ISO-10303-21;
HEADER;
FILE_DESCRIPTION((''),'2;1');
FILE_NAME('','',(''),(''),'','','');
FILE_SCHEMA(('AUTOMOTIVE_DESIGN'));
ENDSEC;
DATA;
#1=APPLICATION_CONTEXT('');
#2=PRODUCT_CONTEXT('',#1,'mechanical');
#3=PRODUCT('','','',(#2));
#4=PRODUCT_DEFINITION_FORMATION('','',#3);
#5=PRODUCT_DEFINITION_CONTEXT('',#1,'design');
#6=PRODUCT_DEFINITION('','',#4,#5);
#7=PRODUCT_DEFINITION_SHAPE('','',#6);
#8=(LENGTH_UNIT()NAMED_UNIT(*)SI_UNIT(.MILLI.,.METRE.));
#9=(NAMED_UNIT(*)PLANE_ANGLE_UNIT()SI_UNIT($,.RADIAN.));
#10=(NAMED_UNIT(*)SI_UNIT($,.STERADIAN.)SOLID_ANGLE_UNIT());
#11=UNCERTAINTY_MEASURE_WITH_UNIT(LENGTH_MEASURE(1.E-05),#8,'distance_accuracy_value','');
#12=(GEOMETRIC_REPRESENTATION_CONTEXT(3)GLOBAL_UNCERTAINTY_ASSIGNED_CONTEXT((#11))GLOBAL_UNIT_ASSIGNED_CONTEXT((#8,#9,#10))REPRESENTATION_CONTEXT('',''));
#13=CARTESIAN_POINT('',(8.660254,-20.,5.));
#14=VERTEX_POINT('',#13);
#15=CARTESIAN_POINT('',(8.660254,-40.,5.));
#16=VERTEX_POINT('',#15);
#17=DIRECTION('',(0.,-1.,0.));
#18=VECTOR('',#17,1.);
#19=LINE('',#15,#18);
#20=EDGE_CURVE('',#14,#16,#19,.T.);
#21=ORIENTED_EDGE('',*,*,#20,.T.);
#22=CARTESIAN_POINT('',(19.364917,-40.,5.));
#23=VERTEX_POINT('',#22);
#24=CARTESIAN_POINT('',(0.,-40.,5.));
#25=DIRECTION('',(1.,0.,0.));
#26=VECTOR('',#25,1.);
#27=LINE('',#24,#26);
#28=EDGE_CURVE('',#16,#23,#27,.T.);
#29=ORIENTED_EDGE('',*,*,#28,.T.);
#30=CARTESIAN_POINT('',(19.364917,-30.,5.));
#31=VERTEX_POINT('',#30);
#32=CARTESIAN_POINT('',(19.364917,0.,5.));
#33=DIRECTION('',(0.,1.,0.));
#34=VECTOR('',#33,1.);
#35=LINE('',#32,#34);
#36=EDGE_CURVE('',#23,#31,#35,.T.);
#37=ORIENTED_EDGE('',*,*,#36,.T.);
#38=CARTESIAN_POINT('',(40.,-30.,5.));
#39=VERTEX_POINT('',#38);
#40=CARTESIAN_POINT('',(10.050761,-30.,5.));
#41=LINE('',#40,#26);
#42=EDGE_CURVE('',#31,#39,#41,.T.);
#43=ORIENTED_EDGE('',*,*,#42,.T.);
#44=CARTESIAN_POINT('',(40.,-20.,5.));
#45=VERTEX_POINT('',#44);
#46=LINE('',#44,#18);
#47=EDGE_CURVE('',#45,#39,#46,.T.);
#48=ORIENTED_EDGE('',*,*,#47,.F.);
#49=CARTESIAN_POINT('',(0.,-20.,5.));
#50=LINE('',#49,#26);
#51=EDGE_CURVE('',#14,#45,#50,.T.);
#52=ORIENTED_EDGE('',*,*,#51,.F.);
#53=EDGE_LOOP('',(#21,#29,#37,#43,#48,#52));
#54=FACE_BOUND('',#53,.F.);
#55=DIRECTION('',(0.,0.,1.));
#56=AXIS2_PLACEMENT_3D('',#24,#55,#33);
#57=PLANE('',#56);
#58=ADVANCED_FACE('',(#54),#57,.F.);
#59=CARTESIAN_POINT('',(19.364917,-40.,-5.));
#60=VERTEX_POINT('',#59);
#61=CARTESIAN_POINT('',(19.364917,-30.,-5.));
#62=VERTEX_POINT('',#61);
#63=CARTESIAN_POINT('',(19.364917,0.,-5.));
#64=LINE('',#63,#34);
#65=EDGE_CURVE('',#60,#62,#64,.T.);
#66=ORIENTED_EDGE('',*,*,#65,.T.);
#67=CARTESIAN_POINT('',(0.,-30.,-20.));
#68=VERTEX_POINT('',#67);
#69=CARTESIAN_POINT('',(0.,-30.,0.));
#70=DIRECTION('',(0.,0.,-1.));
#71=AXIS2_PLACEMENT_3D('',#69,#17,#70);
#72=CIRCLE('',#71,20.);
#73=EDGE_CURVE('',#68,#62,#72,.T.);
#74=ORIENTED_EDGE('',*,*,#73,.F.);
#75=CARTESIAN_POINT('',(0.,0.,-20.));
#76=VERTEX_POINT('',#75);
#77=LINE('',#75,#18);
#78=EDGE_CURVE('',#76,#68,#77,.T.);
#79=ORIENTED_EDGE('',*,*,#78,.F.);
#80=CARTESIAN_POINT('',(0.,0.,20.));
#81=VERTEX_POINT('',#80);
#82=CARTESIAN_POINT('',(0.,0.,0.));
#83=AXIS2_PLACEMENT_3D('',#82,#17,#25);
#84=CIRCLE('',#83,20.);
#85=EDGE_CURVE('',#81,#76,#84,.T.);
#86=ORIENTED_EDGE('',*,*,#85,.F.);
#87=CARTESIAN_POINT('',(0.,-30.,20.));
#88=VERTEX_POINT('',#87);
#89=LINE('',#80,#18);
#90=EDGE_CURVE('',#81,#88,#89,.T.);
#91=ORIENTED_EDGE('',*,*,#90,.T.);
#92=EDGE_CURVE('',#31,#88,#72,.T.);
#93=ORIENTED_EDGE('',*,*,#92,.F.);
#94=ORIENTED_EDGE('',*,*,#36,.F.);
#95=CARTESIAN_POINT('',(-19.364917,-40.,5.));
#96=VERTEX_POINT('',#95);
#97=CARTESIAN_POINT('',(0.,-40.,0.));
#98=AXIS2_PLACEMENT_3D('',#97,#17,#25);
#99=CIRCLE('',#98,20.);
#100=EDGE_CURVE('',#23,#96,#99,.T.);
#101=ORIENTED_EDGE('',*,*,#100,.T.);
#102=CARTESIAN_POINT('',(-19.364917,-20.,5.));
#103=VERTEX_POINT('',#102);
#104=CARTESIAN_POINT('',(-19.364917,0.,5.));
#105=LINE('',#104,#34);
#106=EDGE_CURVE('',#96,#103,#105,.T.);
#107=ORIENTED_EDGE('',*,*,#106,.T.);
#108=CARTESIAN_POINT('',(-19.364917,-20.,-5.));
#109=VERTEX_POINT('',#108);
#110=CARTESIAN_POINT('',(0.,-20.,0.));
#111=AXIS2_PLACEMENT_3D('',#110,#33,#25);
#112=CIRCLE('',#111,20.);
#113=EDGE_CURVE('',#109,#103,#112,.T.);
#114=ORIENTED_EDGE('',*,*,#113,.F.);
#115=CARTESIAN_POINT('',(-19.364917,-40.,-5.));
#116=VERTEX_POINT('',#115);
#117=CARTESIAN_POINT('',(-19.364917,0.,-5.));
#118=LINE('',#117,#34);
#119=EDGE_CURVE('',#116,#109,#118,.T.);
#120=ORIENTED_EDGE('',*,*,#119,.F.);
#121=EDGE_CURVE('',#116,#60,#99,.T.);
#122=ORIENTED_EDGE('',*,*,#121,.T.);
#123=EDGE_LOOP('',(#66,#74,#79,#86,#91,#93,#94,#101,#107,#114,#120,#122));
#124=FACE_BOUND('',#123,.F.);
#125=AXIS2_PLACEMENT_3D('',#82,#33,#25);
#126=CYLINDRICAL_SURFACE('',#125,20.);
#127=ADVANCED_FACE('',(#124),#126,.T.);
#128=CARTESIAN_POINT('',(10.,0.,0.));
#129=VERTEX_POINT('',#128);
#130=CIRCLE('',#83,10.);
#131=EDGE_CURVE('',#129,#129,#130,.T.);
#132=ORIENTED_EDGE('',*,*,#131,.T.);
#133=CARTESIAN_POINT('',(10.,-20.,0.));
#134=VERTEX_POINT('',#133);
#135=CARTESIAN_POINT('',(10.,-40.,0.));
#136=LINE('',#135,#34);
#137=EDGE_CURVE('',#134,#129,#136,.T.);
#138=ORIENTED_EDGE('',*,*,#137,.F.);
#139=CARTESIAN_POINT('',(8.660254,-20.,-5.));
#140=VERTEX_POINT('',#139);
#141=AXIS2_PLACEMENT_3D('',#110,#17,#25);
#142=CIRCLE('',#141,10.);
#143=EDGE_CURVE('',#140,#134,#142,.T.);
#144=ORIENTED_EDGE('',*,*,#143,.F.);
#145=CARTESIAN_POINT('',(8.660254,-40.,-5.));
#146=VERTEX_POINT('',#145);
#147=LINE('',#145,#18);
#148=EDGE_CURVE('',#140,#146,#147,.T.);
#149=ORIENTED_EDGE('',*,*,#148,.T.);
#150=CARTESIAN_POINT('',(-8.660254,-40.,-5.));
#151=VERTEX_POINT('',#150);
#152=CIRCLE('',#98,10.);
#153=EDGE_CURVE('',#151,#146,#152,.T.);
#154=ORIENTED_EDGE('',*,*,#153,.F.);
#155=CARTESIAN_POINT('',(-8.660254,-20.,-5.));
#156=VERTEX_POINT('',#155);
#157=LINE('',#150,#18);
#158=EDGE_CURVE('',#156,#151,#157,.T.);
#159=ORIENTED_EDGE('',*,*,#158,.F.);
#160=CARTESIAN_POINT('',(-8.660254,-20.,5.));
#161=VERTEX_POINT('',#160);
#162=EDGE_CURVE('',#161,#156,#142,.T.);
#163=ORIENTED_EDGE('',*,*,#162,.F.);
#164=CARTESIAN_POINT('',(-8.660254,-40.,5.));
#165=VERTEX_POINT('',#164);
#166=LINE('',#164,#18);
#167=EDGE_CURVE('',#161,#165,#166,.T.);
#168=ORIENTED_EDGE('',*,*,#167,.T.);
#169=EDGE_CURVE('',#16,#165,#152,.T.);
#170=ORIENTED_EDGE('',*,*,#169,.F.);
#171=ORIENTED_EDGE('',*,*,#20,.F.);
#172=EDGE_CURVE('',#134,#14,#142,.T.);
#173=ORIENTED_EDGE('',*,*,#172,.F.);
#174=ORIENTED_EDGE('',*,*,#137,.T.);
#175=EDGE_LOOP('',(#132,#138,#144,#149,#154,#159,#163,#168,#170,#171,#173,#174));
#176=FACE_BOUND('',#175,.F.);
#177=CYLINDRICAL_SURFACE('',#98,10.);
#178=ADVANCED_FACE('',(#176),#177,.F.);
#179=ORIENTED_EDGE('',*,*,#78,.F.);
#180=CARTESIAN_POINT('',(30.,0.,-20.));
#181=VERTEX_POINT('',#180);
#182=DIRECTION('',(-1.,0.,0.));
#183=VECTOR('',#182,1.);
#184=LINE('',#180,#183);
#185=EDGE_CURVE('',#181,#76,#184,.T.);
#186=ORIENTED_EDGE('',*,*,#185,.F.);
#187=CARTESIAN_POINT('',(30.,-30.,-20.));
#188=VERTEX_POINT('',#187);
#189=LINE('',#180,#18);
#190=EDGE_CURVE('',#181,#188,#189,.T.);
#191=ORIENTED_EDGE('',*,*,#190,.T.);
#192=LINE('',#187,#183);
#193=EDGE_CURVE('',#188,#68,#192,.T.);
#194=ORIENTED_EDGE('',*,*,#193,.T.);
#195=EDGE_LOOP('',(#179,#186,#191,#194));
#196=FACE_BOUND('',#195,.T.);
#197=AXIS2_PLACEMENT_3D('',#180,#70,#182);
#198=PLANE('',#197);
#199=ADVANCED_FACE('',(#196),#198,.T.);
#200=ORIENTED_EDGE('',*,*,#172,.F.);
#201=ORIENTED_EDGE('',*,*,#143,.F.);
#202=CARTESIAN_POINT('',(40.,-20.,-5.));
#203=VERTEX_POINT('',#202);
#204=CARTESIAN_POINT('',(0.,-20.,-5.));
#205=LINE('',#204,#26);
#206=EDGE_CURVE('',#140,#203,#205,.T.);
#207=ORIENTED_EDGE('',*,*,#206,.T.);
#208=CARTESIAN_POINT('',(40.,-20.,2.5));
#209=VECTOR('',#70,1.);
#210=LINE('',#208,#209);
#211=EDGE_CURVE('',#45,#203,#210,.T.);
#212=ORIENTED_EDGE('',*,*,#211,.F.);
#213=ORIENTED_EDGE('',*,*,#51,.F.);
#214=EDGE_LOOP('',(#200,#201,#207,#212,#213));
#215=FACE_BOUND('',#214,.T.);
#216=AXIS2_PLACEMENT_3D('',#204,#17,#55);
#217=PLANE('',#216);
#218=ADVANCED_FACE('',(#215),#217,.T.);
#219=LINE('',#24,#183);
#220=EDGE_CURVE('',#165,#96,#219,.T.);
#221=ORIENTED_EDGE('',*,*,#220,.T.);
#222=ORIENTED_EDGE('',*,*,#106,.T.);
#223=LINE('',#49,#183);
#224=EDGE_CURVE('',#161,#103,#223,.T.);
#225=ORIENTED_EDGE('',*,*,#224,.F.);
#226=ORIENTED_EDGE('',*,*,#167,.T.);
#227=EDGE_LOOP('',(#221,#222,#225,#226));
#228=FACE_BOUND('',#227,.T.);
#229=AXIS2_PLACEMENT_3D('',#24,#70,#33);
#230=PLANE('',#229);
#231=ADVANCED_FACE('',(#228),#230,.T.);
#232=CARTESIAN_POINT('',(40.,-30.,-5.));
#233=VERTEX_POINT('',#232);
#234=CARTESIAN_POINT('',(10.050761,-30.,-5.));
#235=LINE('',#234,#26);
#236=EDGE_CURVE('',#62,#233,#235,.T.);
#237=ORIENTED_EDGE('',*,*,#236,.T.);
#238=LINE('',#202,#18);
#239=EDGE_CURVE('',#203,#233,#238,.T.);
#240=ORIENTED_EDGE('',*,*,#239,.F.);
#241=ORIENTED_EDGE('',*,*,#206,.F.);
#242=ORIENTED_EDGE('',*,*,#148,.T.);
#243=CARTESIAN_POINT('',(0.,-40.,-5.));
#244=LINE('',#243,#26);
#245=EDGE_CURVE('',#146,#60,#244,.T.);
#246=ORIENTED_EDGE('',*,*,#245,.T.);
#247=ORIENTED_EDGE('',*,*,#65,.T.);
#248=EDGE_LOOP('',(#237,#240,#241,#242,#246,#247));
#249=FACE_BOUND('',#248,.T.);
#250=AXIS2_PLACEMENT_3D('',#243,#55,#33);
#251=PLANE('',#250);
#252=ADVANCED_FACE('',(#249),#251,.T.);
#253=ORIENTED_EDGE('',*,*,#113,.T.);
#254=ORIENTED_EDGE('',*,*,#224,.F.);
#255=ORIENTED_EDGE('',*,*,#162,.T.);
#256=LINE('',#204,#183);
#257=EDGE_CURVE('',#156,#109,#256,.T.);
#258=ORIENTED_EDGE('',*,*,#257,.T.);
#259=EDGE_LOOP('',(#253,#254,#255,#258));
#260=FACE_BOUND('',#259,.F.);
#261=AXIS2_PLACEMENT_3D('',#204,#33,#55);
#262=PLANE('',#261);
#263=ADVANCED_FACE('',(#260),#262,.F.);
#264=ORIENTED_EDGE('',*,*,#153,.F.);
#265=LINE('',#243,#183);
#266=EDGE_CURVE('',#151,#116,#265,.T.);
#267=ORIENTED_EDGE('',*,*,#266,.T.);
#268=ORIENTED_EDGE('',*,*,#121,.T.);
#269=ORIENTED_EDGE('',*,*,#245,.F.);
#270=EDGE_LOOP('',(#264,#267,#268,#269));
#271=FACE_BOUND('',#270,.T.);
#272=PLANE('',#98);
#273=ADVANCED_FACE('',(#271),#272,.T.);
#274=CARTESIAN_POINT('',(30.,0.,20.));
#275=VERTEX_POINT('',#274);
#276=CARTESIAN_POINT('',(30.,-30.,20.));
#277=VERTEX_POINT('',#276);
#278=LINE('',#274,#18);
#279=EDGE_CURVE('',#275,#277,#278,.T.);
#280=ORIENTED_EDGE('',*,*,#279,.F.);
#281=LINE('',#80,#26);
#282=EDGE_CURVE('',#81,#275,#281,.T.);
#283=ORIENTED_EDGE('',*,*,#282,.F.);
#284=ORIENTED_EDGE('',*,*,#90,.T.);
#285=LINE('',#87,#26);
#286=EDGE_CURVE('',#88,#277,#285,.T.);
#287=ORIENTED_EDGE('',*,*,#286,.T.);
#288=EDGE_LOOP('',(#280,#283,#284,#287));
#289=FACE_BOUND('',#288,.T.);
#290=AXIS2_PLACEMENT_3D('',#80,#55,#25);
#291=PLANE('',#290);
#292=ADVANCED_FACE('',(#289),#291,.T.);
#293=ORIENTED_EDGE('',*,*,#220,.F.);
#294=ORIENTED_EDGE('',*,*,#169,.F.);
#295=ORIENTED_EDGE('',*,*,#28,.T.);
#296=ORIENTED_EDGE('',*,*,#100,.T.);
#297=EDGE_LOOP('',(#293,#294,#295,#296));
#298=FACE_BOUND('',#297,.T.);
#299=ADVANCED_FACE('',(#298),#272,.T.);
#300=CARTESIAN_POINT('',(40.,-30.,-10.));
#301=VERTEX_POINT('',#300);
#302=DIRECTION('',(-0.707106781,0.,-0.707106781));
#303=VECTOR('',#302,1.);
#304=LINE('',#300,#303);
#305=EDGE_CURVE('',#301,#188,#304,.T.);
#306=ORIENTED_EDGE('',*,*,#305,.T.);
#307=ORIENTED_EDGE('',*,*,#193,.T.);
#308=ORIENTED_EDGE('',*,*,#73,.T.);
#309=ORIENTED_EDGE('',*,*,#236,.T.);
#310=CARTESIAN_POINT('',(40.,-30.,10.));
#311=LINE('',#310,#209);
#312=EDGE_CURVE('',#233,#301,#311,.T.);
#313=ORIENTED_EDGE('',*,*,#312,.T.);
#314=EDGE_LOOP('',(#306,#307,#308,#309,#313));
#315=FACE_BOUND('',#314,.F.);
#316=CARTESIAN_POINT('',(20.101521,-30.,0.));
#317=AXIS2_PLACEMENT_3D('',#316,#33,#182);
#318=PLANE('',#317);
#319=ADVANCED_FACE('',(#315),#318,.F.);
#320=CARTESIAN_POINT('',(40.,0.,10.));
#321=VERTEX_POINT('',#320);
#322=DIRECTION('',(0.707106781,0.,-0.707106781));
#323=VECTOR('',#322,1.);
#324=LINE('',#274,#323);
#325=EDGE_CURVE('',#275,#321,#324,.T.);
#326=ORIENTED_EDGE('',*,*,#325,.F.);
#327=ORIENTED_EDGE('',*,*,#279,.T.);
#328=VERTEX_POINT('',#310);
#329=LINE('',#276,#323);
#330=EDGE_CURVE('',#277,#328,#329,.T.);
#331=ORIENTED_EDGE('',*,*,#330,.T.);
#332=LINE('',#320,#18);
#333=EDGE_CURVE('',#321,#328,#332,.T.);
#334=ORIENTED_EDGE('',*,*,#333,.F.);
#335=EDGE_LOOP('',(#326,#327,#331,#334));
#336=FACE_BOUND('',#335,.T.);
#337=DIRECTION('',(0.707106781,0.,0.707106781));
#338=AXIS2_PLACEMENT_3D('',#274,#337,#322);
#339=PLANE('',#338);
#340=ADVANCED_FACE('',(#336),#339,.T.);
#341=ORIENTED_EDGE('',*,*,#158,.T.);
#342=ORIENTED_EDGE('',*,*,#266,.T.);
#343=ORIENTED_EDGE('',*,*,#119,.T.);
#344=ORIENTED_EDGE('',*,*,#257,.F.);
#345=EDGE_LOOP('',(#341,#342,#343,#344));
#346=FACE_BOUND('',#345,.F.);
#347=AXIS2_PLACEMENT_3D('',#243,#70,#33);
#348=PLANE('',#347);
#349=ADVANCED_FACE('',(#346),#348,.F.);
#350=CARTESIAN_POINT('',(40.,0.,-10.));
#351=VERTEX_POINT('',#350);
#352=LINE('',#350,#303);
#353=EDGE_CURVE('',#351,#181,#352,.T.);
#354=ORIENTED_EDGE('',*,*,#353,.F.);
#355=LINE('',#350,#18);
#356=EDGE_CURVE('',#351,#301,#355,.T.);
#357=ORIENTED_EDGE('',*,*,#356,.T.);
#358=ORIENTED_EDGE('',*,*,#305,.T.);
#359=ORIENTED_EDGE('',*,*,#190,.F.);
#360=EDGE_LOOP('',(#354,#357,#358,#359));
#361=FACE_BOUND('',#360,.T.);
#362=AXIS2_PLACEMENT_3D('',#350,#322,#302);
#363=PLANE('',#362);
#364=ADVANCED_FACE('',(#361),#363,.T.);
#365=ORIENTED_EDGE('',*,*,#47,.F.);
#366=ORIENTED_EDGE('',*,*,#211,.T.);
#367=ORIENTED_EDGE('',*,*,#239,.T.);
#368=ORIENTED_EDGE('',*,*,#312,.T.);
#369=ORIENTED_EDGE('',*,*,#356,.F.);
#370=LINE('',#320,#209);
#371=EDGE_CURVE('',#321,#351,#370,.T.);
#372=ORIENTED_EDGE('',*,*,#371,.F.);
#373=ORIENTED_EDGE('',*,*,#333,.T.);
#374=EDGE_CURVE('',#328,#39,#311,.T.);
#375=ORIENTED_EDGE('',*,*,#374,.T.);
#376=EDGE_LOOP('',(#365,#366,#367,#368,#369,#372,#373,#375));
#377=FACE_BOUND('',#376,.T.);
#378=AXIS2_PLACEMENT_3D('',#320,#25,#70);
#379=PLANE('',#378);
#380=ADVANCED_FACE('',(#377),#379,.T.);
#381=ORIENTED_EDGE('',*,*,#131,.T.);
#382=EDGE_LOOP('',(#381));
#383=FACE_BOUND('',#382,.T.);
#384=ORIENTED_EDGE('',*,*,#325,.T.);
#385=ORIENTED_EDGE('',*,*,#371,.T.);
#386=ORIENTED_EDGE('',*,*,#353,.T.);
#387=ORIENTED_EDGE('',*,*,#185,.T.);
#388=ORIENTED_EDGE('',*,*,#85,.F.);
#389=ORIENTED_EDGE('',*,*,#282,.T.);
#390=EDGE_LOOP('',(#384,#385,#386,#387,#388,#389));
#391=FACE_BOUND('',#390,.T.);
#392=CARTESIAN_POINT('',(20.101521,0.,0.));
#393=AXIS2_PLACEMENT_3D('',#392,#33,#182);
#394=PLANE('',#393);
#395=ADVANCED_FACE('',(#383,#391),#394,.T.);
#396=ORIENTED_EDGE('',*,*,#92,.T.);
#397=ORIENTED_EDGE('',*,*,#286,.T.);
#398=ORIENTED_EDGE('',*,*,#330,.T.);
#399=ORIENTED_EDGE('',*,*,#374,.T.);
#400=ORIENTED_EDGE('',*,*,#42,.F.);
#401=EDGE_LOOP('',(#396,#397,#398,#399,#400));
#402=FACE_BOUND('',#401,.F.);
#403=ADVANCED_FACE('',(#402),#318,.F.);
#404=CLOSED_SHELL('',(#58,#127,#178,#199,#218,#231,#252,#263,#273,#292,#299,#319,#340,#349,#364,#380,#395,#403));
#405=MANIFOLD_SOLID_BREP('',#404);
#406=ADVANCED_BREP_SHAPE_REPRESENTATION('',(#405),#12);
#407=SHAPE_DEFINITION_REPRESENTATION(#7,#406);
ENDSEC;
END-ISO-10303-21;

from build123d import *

# Parameters (mm, degrees)
F0_R          = 20
F1_DEPTH      = 40
F3_DEPTH      = 30
F4_R          = 10
F5_DEPTH      = 40.001
F6_W          = 20
F6_H          = 10
F7_DEPTH      = 20.001
F7_DEPTH_BACK = 40.001


with BuildPart() as f1:
    # F0 (on Front) → F1 (new body)
    with BuildSketch(Plane.XZ):
        Circle(F0_R)
    extrude(amount=F1_DEPTH)

    # F2 (on face) → F3 (join)
    with BuildSketch(Plane(origin=(0, 0, 0), x_dir=(-1, 0, 0), z_dir=(0, 1, 0))):
        with BuildLine():
            ThreePointArc((0, -20), (-20, 0), (0, 20))
            Line((0, 20), (-30, 20))
            Line((-30, 20), (-40, 10))
            Line((-40, 10), (-40, -10))
            Line((-40, -10), (-30, -20))
            Line((-30, -20), (0, -20))
        make_face()
    extrude(amount=-F3_DEPTH)

    # F4 (on face) → F5 (cut, through all)
    with BuildSketch(Plane.XZ.offset(40)):
        Circle(F4_R)
    extrude(amount=-F5_DEPTH, mode=Mode.SUBTRACT)

    # F6 (on Right) → F7 (cut, two sides)
    with BuildSketch(Plane.YZ) as f7_sk:
        with Locations((-30, 0)):
            Rectangle(F6_W, F6_H)
    extrude(amount=-F7_DEPTH, mode=Mode.SUBTRACT)
    extrude(f7_sk.sketch, amount=F7_DEPTH_BACK, mode=Mode.SUBTRACT)


solid = f1.part
